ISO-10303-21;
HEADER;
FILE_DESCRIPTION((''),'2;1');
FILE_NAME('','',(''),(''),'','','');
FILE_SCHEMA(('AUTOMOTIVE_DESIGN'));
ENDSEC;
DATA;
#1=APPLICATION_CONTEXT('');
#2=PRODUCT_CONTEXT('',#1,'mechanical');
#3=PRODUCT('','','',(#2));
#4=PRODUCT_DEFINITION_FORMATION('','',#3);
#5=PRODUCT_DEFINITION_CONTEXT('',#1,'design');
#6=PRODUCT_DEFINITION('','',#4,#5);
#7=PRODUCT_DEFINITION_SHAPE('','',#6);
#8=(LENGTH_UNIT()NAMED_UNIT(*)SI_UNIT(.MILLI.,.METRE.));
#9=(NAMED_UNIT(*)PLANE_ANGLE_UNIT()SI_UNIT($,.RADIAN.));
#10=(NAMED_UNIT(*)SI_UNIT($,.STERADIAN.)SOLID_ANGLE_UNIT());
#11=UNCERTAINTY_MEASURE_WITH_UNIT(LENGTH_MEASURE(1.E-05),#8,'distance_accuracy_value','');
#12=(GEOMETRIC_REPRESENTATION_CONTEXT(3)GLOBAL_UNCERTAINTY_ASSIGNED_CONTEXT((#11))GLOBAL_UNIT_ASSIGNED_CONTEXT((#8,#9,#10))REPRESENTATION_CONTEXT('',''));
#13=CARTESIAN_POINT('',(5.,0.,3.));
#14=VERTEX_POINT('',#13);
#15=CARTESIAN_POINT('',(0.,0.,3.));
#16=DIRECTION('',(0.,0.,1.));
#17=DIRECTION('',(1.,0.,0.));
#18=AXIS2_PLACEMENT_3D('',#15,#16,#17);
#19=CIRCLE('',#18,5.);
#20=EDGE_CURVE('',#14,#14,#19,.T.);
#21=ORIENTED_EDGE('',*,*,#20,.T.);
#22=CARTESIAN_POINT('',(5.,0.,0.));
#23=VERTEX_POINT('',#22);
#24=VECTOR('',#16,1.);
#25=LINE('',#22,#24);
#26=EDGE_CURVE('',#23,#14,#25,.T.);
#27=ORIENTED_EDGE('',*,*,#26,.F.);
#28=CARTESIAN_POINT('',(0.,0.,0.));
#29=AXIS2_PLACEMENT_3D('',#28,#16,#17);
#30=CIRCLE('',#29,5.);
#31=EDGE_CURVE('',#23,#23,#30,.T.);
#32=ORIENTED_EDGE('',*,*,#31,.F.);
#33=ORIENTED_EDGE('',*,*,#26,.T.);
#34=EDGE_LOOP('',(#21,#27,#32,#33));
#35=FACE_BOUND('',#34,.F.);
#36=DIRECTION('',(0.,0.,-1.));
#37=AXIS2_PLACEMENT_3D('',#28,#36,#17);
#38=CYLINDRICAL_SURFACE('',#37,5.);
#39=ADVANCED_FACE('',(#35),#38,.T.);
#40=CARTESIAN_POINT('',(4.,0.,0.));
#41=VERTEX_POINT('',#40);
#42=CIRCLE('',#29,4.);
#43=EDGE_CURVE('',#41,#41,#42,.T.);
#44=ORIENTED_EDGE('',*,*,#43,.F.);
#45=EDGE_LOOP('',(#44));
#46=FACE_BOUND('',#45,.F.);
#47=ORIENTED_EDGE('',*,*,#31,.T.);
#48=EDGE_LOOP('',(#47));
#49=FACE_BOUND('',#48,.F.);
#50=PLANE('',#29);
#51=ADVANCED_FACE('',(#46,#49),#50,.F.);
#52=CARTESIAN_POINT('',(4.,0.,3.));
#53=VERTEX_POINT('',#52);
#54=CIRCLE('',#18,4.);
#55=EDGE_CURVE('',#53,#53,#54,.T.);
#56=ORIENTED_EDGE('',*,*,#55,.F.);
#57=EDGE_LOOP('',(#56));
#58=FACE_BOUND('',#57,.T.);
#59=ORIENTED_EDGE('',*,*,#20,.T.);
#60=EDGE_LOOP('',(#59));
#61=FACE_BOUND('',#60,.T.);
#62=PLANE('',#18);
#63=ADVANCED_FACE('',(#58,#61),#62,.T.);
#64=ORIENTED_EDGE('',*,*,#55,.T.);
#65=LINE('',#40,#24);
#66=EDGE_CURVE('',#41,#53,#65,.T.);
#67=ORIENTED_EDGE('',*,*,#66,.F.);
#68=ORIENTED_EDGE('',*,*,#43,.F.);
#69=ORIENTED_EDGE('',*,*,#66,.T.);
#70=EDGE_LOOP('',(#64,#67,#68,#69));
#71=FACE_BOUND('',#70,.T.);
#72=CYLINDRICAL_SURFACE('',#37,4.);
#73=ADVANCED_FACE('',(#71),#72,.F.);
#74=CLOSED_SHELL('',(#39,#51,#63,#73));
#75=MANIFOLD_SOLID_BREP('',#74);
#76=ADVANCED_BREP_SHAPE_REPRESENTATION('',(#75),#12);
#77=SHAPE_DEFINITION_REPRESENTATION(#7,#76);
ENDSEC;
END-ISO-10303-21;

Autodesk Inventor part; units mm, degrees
ref_plane "YZ Plane" through (0, 0, 0) normal (1, 0, 0) x (0, 1, 0)
ref_plane "XZ Plane" through (0, 0, 0) normal (0, 1, 0) x (-1, 0, 0)
ref_plane "XY Plane" through (0, 0, 0) normal (0, 0, 1) x (1, 0, 0)
sketch "スケッチ1" plane through (0, 0, 0) normal (0, 0, 1) x (1, 0, 0)
  circle A0 centre (0, 0) radius 4
  circle A1 centre (0, 0) radius 5
  dimension "d0" = 8
  dimension "d1" = 10
extrude "押し出し1" add sketch "スケッチ1" along normal blind 3
properties part number "オイレス8-10-3" material "アセタール樹脂、黒"
